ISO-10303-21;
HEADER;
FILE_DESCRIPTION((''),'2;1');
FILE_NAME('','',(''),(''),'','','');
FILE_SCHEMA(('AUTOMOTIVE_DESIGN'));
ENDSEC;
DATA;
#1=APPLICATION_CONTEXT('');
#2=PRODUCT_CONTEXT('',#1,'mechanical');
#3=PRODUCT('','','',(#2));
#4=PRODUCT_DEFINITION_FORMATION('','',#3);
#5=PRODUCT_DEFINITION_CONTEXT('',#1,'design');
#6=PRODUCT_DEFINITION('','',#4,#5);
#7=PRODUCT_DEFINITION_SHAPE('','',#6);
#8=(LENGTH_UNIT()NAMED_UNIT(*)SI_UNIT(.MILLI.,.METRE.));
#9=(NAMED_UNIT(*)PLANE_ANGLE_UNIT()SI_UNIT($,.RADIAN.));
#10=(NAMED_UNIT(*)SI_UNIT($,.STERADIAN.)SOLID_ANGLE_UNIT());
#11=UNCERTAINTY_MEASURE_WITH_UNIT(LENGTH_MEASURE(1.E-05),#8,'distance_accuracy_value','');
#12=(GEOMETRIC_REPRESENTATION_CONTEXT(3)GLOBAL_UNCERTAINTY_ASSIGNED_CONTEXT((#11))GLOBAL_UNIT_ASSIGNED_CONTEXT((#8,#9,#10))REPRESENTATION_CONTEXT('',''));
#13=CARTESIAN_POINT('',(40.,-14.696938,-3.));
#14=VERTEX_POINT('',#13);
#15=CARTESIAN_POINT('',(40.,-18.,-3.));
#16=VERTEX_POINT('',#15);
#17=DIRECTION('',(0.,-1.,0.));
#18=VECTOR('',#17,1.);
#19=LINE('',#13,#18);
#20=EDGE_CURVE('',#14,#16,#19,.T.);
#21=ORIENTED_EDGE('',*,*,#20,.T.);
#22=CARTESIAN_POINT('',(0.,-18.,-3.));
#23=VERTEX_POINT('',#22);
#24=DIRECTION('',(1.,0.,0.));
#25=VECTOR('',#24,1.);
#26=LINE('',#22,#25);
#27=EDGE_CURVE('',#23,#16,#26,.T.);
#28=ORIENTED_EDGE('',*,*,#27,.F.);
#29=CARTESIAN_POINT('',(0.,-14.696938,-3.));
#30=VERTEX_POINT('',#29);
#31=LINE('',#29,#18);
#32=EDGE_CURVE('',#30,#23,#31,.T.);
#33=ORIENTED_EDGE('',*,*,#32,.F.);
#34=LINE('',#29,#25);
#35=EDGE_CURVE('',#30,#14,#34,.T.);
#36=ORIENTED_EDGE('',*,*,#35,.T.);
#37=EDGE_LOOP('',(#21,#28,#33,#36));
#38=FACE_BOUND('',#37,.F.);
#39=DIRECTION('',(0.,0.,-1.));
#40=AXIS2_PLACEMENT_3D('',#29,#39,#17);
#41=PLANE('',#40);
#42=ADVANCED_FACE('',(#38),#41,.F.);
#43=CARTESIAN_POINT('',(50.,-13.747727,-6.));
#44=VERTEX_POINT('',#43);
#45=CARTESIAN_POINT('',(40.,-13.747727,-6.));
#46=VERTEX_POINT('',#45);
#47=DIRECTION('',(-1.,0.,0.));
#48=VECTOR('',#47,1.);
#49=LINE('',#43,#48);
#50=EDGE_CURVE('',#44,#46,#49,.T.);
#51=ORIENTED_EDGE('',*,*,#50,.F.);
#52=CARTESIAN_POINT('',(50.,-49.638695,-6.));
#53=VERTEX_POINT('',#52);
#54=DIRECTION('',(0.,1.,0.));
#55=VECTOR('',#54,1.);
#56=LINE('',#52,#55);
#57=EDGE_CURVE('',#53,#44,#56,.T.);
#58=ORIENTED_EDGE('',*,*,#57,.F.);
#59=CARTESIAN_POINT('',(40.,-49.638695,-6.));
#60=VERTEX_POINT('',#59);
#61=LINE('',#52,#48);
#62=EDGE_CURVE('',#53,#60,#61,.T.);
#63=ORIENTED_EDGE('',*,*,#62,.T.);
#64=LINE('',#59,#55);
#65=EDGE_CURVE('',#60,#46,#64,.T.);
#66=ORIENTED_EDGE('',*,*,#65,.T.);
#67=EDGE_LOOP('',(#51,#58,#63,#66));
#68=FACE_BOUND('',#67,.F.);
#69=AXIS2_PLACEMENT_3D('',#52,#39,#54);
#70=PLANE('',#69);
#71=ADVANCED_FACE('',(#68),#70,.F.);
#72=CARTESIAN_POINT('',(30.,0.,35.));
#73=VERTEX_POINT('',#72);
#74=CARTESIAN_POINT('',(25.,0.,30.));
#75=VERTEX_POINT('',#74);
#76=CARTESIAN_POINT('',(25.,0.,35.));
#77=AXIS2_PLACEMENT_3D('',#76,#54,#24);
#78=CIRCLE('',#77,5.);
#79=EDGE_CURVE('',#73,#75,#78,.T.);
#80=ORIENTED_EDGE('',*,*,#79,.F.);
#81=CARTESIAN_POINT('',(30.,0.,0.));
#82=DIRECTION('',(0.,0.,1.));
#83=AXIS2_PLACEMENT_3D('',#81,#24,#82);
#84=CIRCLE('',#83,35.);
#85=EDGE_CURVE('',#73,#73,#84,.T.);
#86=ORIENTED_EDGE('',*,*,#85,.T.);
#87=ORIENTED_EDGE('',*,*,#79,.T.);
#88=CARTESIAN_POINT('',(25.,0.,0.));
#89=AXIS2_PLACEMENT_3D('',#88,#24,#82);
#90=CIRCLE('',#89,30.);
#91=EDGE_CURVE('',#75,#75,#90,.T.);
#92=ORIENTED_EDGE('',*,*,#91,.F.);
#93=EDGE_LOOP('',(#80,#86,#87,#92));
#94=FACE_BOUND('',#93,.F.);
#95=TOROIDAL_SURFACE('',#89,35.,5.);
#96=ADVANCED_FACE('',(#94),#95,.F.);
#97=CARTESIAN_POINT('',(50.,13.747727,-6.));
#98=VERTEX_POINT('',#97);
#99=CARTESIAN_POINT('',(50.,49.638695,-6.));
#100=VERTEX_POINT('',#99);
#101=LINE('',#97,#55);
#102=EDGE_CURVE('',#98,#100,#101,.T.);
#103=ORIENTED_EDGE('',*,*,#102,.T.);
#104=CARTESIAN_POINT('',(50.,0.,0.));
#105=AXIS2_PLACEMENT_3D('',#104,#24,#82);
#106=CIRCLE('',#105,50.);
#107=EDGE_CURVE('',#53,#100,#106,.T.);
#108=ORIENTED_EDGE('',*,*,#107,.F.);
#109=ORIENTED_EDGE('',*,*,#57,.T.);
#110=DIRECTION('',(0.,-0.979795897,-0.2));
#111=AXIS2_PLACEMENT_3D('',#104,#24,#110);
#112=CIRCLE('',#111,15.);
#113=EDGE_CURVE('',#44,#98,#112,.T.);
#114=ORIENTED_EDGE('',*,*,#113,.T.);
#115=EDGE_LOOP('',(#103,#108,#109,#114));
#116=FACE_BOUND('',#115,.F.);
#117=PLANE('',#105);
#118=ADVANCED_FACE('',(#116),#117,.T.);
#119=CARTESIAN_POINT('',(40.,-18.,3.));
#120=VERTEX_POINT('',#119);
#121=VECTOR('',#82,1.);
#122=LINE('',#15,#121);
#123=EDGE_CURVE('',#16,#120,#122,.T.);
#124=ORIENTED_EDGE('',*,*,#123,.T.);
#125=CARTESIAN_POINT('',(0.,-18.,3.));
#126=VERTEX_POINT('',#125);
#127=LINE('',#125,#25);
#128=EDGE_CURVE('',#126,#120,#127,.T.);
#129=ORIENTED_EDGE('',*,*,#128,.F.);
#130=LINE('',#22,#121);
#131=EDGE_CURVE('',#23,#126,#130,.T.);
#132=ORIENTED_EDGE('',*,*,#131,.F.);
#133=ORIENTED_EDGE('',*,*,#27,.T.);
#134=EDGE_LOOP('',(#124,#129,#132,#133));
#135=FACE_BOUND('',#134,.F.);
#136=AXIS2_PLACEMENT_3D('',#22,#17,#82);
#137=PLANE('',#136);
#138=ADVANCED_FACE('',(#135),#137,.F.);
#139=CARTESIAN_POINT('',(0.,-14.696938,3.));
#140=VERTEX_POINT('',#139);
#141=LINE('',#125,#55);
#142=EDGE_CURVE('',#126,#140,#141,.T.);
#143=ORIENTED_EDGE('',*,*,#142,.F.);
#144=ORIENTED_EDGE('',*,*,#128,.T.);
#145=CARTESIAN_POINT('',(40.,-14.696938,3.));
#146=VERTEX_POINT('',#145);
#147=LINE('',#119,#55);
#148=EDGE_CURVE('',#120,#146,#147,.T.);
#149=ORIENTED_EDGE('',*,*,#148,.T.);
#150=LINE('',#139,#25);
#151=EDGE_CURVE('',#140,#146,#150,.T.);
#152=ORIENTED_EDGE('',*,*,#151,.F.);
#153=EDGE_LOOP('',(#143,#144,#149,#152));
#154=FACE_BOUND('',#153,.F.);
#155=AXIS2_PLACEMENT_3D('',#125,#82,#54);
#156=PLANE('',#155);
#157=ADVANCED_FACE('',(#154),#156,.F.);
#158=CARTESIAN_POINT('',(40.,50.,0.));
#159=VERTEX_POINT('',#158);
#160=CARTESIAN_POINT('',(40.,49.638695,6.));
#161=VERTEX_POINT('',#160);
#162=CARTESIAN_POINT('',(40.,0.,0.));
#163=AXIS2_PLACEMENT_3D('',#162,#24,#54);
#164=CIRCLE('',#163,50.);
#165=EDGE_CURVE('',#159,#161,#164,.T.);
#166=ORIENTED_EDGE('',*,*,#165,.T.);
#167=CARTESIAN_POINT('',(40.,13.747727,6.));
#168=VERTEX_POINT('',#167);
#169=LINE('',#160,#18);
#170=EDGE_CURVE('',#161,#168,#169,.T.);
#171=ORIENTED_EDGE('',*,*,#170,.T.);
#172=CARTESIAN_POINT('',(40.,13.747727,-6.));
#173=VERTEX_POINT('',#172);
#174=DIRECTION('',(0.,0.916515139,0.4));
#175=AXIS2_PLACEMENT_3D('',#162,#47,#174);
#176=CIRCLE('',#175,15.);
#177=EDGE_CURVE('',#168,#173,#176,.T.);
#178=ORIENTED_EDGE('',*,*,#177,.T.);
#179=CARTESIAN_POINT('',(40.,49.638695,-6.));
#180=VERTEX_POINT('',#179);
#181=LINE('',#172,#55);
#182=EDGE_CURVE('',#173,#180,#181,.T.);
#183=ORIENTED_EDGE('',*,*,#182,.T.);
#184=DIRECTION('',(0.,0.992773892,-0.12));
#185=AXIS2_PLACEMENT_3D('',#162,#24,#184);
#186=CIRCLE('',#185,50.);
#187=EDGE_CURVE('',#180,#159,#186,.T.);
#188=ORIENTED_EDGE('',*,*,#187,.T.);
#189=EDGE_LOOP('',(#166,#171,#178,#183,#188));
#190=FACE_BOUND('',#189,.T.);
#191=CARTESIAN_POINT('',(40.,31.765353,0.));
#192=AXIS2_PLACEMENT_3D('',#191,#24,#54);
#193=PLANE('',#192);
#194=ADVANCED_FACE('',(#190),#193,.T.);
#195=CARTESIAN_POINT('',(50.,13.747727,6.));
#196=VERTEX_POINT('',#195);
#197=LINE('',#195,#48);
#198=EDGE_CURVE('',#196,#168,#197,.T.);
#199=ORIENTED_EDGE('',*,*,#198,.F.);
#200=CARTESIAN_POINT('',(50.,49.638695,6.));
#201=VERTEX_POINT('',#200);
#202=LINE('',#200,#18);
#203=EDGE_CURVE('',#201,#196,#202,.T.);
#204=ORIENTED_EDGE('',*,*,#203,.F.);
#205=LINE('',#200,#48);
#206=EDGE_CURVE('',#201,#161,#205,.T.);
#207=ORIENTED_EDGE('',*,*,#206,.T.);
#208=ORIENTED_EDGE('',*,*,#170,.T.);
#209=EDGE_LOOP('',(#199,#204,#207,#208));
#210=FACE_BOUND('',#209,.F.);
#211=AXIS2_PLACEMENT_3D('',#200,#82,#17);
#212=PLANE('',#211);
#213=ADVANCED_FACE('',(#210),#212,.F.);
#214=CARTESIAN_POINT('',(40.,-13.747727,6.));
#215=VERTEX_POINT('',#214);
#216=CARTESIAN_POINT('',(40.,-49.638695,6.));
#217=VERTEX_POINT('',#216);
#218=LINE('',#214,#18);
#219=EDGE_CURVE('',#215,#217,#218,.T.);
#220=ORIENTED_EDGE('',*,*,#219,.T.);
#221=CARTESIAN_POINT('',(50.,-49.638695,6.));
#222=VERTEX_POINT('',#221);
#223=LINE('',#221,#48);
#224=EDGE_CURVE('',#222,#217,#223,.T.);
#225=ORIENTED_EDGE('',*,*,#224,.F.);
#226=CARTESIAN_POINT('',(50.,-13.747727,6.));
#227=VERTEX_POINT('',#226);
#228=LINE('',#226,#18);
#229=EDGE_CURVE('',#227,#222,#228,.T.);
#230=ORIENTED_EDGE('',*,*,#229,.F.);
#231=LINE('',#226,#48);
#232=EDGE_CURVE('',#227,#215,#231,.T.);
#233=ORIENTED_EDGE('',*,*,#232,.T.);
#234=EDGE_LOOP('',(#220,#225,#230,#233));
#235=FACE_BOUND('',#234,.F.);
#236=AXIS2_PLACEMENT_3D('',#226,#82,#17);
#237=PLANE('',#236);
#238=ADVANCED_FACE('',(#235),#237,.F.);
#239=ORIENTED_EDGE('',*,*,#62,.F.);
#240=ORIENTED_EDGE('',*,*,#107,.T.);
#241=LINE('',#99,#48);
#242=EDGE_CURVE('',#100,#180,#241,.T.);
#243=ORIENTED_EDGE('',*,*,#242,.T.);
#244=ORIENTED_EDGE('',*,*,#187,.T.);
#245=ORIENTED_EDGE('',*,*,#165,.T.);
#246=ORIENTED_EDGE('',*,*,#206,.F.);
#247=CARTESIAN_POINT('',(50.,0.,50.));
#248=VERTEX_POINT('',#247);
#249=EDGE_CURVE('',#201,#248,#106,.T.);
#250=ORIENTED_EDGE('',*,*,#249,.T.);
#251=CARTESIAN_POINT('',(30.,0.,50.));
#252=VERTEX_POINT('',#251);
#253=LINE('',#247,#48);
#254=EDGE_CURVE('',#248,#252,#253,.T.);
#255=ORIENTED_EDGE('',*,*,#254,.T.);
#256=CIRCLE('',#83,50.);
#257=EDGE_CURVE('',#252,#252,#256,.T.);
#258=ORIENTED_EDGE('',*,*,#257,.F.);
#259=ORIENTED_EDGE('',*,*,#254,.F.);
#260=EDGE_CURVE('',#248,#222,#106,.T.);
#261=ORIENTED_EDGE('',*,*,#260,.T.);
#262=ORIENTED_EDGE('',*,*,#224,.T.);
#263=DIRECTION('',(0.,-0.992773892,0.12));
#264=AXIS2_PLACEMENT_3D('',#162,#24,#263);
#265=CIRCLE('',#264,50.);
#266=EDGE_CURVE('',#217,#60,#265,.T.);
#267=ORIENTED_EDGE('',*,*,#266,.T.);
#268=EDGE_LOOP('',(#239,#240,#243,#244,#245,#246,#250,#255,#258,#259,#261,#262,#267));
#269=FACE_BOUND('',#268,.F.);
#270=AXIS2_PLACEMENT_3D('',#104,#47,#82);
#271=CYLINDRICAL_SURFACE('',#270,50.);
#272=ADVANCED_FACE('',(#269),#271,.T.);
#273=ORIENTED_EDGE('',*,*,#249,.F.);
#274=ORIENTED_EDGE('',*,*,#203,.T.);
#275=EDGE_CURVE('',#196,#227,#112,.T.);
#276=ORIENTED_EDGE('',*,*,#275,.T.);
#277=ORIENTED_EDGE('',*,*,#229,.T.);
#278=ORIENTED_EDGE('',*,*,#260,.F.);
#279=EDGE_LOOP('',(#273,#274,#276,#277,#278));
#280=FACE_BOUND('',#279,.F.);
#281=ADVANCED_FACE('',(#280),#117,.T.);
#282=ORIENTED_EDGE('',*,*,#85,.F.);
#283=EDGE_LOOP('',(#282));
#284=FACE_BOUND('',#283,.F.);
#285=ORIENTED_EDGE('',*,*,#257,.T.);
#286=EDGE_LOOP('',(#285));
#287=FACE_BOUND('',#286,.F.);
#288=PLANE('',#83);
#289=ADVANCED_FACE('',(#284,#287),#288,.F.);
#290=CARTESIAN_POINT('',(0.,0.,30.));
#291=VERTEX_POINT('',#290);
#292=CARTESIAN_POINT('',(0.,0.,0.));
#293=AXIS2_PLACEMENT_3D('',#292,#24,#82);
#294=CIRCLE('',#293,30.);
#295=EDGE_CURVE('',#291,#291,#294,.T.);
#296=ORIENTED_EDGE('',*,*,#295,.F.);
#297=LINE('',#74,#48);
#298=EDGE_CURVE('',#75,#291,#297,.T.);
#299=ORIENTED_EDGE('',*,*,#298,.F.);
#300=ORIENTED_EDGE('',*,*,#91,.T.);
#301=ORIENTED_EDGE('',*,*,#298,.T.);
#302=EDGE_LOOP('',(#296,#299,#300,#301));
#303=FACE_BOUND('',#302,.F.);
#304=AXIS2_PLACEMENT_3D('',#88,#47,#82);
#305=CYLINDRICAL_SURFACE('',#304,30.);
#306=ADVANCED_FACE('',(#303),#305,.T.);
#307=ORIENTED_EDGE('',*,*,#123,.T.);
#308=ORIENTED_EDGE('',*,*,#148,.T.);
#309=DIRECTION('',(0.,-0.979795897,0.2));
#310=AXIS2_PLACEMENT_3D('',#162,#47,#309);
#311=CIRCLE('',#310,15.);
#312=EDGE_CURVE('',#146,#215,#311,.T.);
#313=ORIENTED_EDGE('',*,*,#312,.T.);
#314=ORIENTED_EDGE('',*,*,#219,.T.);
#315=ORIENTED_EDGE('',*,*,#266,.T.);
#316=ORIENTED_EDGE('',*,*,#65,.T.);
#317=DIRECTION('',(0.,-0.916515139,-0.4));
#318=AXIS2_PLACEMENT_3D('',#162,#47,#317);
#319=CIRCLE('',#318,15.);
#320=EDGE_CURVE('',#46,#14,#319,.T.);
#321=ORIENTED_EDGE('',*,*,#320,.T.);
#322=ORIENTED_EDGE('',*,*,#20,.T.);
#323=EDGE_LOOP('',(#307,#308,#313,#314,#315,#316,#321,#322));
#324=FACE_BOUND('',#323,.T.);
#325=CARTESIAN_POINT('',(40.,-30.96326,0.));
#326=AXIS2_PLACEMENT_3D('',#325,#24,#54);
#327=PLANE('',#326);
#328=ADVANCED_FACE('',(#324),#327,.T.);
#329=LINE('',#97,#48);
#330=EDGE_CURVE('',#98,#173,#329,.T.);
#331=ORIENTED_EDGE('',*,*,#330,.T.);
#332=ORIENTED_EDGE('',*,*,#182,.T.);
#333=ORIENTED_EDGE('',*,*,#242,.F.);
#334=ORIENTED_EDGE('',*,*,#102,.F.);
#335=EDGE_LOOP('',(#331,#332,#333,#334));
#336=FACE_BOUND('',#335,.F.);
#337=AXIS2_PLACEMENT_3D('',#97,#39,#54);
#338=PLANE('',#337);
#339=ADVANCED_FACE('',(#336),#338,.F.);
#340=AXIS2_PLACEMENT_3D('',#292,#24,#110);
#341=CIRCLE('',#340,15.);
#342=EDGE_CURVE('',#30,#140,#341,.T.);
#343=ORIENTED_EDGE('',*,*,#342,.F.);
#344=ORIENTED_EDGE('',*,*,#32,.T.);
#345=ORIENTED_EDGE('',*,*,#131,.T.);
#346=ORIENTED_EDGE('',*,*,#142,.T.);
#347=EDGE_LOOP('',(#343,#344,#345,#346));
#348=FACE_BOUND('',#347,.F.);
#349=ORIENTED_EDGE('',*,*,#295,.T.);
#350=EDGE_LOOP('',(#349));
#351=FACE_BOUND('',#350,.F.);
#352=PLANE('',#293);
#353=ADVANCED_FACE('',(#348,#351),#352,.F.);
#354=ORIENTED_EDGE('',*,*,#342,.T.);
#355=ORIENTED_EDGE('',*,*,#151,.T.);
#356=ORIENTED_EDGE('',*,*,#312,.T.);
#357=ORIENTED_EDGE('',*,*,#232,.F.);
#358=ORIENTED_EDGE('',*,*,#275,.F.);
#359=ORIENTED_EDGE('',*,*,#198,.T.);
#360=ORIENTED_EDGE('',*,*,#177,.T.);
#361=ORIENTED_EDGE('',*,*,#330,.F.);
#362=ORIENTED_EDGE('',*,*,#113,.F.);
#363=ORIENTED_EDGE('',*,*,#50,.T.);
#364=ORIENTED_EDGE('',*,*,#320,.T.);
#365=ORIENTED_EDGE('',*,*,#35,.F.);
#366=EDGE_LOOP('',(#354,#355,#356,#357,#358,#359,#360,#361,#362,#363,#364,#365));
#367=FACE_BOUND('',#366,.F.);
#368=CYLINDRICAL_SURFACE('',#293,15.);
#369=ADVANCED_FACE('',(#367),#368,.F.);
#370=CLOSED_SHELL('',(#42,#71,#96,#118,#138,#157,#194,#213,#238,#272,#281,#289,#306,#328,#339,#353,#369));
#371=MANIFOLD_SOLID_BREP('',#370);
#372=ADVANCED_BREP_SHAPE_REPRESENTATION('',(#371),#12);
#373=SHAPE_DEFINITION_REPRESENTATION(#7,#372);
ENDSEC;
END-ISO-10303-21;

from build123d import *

# Parameters (mm, degrees)
F3_DEPTH = 50
F5_DEPTH = 10


with BuildPart() as f1:
    # F0 (on Front) → F1 (revolve)
    with BuildSketch(Plane.XZ):
        with BuildLine():
            Line((0, 30), (0, 15))
            Line((0, 15), (50, 15))
            Line((50, 15), (50, 50))
            Line((50, 50), (30, 50))
            Line((30, 50), (30, 35))
            ThreePointArc((30, 35), (28.5355339059, 31.4644660941), (25, 30))
            Line((25, 30), (0, 30))
        make_face()
    revolve(axis=Axis((18.1425, 0, 0), (1, 0, 0)))

    # F2 (on face) → F3 (cut)
    with BuildSketch(Plane(origin=(0, 0, 0), x_dir=(0, -1, 0), z_dir=(-1, 0, 0))):
        with BuildLine():
            ThreePointArc((15, 0), (14.9240422951, -1.5076344301), (14.6969384567, -3))
            Line((14.6969384567, -3), (18, -3))
            Line((18, -3), (18, 3))
            Line((18, 3), (14.6969384567, 3))
            ThreePointArc((14.6969384567, 3), (14.9240422951, 1.5076344301), (15, 0))
        make_face()
    extrude(amount=-F3_DEPTH, mode=Mode.SUBTRACT)

    # F4 (on face) → F5 (cut)
    with BuildSketch(Plane.YZ.offset(50)):
        with BuildLine():
            Line((-13.7477270849, 6), (-49.638694584, 6))
            ThreePointArc((-49.638694584, 6), (-50, 0), (-49.638694584, -6))
            Line((-49.638694584, -6), (-13.7477270849, -6))
            ThreePointArc((-13.7477270849, -6), (-14.3012149639, -4.5249586249), (-14.6969384567, -3))
            Line((-14.6969384567, -3), (-18, -3))
            Line((-18, -3), (-18, 3))
            Line((-18, 3), (-14.6969384567, 3))
            ThreePointArc((-14.6969384567, 3), (-14.3012149639, 4.5249586249), (-13.7477270849, 6))
        make_face()
        with BuildLine():
            ThreePointArc((50, 0), (49.9095919098, 3.0054343115), (49.638694584, 6))
            Line((49.638694584, 6), (13.7477270849, 6))
            ThreePointArc((13.7477270849, 6), (15, 0), (13.7477270849, -6))
            Line((13.7477270849, -6), (49.638694584, -6))
            ThreePointArc((49.638694584, -6), (49.9095919098, -3.0054343115), (50, 0))
        make_face()
    extrude(amount=-F5_DEPTH, mode=Mode.SUBTRACT)


solid = f1.part
